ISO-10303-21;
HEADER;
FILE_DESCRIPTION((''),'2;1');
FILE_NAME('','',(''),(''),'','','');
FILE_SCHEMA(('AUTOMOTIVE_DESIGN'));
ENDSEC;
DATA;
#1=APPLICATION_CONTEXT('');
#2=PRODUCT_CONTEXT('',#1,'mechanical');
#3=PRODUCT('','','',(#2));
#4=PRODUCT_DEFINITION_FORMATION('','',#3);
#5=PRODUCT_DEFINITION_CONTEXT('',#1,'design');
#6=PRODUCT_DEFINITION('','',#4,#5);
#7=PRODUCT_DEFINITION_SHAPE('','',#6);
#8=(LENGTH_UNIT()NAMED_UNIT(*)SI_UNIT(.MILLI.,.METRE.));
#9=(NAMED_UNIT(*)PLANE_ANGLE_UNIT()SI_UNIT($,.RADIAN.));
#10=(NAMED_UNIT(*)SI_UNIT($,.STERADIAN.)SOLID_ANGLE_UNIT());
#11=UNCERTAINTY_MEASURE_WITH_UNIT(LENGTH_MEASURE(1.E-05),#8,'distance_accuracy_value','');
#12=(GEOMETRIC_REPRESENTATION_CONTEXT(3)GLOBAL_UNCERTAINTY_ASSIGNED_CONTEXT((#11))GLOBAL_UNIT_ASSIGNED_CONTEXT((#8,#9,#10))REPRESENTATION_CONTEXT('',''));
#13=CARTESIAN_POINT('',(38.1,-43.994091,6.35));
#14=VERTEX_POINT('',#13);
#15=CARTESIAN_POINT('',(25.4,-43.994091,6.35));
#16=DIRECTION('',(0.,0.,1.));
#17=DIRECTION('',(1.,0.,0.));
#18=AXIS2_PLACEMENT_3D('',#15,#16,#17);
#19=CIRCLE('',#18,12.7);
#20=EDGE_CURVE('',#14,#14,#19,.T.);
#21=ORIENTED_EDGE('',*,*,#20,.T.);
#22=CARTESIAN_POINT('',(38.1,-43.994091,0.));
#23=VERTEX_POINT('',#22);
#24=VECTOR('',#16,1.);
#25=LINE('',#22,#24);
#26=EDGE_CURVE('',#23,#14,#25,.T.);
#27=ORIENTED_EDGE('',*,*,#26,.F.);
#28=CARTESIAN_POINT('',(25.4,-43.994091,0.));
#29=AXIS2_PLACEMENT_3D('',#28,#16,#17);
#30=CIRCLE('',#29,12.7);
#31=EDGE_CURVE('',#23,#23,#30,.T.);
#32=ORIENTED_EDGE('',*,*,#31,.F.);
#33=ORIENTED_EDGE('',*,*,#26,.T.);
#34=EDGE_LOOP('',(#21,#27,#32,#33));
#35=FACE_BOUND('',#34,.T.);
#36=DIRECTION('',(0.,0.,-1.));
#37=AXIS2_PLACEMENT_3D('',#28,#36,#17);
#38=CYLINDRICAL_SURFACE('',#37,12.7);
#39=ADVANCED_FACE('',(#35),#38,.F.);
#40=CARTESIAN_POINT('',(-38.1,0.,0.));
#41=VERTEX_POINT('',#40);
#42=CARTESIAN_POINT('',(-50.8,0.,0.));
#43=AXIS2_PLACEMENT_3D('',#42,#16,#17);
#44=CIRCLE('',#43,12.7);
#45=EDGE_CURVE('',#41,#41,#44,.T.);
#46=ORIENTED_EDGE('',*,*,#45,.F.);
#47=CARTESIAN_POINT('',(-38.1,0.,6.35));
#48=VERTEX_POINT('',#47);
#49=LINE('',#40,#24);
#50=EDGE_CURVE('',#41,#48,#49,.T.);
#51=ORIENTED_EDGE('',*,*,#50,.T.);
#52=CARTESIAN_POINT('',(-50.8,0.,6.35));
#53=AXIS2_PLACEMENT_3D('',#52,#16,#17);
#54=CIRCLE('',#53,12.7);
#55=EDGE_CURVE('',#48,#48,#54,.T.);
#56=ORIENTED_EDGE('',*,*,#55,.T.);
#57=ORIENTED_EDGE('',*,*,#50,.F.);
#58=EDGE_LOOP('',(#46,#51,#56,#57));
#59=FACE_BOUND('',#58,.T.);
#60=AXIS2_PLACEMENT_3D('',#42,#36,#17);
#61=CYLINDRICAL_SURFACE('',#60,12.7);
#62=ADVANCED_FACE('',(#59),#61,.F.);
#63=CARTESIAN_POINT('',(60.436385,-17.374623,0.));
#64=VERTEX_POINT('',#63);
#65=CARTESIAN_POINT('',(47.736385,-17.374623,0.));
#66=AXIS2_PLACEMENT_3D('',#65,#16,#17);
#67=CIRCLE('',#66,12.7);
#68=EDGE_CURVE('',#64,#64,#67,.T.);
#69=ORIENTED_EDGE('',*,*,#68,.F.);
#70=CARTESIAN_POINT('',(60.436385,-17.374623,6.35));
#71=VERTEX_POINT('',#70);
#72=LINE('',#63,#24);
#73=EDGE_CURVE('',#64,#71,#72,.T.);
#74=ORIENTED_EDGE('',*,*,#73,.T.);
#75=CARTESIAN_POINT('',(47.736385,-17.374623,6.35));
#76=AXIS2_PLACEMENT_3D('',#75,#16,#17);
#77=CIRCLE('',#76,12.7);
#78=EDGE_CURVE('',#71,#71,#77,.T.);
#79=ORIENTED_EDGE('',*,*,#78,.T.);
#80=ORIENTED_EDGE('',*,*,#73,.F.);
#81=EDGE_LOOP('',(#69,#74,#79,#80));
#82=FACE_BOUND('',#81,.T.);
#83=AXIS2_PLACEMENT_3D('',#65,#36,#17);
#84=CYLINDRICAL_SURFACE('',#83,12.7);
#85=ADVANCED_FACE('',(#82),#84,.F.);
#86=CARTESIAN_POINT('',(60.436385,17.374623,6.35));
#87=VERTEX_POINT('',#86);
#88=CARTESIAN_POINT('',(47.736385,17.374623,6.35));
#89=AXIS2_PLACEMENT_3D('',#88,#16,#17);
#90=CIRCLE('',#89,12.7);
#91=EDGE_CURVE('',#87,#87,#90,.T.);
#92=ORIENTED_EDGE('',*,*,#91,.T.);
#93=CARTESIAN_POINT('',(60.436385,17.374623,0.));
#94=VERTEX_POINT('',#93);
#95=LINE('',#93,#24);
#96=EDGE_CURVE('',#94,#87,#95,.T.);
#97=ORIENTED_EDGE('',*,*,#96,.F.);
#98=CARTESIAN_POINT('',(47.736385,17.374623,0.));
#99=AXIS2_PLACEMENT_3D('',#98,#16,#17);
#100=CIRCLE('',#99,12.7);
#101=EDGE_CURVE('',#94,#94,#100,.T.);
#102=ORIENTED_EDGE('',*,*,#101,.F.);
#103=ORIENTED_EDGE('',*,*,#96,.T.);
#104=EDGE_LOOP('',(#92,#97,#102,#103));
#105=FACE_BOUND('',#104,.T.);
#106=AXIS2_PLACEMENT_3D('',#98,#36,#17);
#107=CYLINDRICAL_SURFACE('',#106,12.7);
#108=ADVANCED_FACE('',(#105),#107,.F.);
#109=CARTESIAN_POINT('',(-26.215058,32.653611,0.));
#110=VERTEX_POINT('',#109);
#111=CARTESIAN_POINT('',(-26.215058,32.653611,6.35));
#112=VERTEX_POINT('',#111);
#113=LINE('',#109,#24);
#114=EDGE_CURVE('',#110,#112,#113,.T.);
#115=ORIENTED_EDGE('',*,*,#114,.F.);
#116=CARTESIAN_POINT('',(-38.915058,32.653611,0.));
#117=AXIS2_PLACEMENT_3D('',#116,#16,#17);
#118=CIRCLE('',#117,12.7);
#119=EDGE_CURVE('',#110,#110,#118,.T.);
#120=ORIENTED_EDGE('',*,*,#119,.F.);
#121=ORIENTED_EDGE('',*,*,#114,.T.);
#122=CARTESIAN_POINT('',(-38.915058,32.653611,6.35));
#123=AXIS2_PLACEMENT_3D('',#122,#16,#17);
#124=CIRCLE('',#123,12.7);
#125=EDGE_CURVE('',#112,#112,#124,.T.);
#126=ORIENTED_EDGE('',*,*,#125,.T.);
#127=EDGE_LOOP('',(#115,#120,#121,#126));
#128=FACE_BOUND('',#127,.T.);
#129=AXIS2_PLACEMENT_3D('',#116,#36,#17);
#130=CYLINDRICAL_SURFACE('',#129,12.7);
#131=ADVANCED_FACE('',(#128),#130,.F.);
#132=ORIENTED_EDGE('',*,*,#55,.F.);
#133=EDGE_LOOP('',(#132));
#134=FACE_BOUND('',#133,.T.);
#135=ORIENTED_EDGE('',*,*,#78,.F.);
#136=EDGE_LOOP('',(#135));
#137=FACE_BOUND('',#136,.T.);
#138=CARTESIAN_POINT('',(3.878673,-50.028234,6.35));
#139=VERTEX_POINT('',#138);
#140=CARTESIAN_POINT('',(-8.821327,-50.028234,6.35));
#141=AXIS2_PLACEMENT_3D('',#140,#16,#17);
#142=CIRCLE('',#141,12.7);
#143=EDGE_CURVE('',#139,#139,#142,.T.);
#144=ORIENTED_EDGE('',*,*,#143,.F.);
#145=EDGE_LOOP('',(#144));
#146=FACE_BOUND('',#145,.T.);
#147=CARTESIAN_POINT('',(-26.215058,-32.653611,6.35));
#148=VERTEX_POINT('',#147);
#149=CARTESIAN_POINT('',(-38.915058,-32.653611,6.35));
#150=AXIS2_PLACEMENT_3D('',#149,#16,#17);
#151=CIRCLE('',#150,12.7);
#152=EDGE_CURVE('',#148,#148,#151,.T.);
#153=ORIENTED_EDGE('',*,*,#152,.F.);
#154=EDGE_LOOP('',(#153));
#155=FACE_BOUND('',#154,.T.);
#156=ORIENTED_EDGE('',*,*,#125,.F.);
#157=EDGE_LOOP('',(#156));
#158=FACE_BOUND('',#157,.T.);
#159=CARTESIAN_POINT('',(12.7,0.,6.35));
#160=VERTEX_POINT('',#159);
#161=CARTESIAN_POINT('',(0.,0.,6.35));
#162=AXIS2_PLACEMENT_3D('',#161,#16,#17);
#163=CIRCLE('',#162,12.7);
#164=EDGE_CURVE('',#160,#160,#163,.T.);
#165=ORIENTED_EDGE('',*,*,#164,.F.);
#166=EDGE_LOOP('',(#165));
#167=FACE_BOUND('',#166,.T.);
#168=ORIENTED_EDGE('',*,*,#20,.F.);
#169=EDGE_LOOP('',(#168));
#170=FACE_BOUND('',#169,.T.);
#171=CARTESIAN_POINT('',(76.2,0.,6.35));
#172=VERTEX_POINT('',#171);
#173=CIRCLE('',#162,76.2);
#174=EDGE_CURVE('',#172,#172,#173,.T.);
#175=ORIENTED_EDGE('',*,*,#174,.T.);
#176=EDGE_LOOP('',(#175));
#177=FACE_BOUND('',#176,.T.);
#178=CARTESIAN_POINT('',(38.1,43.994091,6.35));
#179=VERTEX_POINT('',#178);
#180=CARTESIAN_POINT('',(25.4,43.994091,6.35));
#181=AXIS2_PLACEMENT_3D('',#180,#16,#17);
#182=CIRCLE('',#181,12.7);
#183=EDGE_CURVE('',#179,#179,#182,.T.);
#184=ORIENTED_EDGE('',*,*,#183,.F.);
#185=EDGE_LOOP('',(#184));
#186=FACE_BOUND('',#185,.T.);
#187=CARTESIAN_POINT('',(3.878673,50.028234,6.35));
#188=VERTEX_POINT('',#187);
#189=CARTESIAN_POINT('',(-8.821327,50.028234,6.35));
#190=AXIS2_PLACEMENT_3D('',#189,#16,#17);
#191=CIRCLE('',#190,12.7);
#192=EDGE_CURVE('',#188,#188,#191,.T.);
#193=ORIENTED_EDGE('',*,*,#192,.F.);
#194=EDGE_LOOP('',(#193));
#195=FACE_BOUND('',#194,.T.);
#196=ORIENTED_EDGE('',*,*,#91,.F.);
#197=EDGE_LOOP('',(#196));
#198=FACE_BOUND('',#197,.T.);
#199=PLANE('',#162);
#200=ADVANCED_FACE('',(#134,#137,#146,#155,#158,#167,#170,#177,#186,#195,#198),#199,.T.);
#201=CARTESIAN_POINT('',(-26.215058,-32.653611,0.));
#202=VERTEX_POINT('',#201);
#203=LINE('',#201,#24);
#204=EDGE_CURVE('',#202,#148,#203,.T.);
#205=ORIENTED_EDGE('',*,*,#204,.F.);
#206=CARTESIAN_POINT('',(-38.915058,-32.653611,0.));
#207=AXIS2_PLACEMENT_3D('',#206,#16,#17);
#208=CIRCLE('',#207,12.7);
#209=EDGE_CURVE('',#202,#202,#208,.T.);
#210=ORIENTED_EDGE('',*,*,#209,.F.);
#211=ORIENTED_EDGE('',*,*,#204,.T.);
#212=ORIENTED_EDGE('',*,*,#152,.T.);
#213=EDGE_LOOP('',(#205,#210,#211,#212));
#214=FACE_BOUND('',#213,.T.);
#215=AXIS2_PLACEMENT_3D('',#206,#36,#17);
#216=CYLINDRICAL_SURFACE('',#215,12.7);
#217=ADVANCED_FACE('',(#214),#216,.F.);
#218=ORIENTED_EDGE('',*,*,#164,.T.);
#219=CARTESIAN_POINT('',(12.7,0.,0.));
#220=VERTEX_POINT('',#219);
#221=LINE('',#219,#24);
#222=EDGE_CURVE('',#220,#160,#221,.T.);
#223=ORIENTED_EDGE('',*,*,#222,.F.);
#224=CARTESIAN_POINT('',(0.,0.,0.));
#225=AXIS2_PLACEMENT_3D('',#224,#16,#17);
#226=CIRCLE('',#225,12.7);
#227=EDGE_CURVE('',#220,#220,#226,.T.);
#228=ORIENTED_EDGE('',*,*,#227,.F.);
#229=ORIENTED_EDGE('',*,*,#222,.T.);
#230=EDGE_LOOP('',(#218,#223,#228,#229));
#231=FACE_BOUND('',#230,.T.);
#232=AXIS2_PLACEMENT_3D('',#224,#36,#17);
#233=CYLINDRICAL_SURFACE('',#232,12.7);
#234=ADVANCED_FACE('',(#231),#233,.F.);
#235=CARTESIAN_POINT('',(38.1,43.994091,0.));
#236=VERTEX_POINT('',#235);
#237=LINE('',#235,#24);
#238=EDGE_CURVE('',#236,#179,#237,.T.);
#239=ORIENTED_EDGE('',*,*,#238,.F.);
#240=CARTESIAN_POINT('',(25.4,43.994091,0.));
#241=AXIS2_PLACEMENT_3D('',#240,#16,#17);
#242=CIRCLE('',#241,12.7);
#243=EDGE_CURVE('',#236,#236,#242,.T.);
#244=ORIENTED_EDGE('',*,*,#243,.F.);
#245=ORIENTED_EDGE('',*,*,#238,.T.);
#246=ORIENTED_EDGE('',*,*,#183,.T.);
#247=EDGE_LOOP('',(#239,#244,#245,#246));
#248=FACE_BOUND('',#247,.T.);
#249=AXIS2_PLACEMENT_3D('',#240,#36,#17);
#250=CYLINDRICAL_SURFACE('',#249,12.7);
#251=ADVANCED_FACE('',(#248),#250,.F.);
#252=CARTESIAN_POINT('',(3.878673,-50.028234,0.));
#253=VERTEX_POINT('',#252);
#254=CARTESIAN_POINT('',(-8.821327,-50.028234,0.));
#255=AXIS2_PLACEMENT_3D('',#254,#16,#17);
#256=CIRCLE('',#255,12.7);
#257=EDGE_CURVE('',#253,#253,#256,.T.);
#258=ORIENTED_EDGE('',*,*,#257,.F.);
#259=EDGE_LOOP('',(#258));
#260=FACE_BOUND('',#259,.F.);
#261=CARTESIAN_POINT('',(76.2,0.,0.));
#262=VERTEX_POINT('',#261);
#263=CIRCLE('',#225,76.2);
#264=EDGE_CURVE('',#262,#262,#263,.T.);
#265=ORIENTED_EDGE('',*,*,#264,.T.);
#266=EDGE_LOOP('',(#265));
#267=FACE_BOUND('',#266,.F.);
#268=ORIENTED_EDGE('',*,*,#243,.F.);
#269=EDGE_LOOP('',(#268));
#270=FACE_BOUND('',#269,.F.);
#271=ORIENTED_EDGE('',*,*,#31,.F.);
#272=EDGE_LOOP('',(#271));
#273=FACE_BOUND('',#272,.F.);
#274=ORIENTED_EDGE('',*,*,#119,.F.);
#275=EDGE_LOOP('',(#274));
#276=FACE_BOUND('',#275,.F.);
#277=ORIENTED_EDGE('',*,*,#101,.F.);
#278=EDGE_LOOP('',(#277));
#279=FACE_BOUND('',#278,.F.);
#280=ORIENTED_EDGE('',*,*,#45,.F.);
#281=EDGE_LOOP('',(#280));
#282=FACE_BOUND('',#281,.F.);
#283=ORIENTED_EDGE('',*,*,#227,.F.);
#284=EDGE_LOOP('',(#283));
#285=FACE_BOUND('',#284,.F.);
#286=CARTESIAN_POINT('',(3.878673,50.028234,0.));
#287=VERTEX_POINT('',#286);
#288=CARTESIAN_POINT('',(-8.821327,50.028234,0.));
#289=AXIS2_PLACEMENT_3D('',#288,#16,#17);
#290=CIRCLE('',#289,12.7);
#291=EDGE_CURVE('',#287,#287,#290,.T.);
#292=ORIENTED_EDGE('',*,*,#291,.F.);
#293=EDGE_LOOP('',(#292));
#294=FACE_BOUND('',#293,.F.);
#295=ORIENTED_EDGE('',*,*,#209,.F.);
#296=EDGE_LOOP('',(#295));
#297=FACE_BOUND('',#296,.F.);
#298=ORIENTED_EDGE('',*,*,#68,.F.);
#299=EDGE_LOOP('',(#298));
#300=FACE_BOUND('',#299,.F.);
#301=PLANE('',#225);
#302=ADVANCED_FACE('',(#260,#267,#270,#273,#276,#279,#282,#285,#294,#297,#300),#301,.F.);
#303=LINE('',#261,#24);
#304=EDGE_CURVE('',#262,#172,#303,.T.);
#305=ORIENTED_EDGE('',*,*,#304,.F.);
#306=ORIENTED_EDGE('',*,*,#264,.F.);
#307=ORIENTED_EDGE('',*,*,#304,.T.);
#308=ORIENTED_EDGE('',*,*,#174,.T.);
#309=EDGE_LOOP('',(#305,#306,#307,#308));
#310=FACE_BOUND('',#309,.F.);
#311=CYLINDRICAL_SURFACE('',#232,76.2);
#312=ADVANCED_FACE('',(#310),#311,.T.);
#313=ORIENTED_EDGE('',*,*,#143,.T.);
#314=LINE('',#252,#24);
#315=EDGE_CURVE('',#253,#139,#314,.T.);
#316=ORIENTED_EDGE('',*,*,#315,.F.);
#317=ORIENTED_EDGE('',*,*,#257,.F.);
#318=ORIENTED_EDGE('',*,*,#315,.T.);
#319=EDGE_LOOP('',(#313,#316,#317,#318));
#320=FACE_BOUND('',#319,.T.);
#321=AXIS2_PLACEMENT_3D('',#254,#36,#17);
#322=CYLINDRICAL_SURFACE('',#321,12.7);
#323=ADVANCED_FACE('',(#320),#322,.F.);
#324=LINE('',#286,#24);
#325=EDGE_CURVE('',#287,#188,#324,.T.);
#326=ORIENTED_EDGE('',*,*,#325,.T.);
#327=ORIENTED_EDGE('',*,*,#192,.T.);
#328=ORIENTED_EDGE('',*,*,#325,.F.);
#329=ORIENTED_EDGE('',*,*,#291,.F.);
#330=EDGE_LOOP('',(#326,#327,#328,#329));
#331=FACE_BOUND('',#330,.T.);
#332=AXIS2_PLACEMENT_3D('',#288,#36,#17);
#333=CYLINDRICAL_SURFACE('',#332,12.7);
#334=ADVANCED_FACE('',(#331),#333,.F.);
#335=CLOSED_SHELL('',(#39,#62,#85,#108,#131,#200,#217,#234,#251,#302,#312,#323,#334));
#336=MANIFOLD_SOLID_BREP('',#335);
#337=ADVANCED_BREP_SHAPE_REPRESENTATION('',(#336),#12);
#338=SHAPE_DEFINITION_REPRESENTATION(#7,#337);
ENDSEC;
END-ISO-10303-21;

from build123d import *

# Parameters (mm, degrees)
F0_R     = 76.2
F0_R_2   = 12.7
F1_DEPTH = 6.35


with BuildPart() as f1:
    # F0 (on Top) → F1 (new body)
    with BuildSketch(Plane.XY):
        Circle(F0_R)
        with Locations((-8.821327, -50.028234)):
            Circle(F0_R_2, mode=Mode.SUBTRACT)
        with Locations((-38.915058, -32.653611)):
            Circle(F0_R_2, mode=Mode.SUBTRACT)
        with Locations((25.4, -43.994091)):
            Circle(F0_R_2, mode=Mode.SUBTRACT)
        with Locations((47.736385, -17.374623)):
            Circle(F0_R_2, mode=Mode.SUBTRACT)
        with Locations((-50.8, 0)):
            Circle(F0_R_2, mode=Mode.SUBTRACT)
        with Locations((-38.915058, 32.653611)):
            Circle(F0_R_2, mode=Mode.SUBTRACT)
        with Locations((-8.821327, 50.028234)):
            Circle(F0_R_2, mode=Mode.SUBTRACT)
        Circle(F0_R_2, mode=Mode.SUBTRACT)
        with Locations((47.736385, 17.374623)):
            Circle(F0_R_2, mode=Mode.SUBTRACT)
        with Locations((25.4, 43.994091)):
            Circle(F0_R_2, mode=Mode.SUBTRACT)
    extrude(amount=F1_DEPTH)


solid = f1.part
